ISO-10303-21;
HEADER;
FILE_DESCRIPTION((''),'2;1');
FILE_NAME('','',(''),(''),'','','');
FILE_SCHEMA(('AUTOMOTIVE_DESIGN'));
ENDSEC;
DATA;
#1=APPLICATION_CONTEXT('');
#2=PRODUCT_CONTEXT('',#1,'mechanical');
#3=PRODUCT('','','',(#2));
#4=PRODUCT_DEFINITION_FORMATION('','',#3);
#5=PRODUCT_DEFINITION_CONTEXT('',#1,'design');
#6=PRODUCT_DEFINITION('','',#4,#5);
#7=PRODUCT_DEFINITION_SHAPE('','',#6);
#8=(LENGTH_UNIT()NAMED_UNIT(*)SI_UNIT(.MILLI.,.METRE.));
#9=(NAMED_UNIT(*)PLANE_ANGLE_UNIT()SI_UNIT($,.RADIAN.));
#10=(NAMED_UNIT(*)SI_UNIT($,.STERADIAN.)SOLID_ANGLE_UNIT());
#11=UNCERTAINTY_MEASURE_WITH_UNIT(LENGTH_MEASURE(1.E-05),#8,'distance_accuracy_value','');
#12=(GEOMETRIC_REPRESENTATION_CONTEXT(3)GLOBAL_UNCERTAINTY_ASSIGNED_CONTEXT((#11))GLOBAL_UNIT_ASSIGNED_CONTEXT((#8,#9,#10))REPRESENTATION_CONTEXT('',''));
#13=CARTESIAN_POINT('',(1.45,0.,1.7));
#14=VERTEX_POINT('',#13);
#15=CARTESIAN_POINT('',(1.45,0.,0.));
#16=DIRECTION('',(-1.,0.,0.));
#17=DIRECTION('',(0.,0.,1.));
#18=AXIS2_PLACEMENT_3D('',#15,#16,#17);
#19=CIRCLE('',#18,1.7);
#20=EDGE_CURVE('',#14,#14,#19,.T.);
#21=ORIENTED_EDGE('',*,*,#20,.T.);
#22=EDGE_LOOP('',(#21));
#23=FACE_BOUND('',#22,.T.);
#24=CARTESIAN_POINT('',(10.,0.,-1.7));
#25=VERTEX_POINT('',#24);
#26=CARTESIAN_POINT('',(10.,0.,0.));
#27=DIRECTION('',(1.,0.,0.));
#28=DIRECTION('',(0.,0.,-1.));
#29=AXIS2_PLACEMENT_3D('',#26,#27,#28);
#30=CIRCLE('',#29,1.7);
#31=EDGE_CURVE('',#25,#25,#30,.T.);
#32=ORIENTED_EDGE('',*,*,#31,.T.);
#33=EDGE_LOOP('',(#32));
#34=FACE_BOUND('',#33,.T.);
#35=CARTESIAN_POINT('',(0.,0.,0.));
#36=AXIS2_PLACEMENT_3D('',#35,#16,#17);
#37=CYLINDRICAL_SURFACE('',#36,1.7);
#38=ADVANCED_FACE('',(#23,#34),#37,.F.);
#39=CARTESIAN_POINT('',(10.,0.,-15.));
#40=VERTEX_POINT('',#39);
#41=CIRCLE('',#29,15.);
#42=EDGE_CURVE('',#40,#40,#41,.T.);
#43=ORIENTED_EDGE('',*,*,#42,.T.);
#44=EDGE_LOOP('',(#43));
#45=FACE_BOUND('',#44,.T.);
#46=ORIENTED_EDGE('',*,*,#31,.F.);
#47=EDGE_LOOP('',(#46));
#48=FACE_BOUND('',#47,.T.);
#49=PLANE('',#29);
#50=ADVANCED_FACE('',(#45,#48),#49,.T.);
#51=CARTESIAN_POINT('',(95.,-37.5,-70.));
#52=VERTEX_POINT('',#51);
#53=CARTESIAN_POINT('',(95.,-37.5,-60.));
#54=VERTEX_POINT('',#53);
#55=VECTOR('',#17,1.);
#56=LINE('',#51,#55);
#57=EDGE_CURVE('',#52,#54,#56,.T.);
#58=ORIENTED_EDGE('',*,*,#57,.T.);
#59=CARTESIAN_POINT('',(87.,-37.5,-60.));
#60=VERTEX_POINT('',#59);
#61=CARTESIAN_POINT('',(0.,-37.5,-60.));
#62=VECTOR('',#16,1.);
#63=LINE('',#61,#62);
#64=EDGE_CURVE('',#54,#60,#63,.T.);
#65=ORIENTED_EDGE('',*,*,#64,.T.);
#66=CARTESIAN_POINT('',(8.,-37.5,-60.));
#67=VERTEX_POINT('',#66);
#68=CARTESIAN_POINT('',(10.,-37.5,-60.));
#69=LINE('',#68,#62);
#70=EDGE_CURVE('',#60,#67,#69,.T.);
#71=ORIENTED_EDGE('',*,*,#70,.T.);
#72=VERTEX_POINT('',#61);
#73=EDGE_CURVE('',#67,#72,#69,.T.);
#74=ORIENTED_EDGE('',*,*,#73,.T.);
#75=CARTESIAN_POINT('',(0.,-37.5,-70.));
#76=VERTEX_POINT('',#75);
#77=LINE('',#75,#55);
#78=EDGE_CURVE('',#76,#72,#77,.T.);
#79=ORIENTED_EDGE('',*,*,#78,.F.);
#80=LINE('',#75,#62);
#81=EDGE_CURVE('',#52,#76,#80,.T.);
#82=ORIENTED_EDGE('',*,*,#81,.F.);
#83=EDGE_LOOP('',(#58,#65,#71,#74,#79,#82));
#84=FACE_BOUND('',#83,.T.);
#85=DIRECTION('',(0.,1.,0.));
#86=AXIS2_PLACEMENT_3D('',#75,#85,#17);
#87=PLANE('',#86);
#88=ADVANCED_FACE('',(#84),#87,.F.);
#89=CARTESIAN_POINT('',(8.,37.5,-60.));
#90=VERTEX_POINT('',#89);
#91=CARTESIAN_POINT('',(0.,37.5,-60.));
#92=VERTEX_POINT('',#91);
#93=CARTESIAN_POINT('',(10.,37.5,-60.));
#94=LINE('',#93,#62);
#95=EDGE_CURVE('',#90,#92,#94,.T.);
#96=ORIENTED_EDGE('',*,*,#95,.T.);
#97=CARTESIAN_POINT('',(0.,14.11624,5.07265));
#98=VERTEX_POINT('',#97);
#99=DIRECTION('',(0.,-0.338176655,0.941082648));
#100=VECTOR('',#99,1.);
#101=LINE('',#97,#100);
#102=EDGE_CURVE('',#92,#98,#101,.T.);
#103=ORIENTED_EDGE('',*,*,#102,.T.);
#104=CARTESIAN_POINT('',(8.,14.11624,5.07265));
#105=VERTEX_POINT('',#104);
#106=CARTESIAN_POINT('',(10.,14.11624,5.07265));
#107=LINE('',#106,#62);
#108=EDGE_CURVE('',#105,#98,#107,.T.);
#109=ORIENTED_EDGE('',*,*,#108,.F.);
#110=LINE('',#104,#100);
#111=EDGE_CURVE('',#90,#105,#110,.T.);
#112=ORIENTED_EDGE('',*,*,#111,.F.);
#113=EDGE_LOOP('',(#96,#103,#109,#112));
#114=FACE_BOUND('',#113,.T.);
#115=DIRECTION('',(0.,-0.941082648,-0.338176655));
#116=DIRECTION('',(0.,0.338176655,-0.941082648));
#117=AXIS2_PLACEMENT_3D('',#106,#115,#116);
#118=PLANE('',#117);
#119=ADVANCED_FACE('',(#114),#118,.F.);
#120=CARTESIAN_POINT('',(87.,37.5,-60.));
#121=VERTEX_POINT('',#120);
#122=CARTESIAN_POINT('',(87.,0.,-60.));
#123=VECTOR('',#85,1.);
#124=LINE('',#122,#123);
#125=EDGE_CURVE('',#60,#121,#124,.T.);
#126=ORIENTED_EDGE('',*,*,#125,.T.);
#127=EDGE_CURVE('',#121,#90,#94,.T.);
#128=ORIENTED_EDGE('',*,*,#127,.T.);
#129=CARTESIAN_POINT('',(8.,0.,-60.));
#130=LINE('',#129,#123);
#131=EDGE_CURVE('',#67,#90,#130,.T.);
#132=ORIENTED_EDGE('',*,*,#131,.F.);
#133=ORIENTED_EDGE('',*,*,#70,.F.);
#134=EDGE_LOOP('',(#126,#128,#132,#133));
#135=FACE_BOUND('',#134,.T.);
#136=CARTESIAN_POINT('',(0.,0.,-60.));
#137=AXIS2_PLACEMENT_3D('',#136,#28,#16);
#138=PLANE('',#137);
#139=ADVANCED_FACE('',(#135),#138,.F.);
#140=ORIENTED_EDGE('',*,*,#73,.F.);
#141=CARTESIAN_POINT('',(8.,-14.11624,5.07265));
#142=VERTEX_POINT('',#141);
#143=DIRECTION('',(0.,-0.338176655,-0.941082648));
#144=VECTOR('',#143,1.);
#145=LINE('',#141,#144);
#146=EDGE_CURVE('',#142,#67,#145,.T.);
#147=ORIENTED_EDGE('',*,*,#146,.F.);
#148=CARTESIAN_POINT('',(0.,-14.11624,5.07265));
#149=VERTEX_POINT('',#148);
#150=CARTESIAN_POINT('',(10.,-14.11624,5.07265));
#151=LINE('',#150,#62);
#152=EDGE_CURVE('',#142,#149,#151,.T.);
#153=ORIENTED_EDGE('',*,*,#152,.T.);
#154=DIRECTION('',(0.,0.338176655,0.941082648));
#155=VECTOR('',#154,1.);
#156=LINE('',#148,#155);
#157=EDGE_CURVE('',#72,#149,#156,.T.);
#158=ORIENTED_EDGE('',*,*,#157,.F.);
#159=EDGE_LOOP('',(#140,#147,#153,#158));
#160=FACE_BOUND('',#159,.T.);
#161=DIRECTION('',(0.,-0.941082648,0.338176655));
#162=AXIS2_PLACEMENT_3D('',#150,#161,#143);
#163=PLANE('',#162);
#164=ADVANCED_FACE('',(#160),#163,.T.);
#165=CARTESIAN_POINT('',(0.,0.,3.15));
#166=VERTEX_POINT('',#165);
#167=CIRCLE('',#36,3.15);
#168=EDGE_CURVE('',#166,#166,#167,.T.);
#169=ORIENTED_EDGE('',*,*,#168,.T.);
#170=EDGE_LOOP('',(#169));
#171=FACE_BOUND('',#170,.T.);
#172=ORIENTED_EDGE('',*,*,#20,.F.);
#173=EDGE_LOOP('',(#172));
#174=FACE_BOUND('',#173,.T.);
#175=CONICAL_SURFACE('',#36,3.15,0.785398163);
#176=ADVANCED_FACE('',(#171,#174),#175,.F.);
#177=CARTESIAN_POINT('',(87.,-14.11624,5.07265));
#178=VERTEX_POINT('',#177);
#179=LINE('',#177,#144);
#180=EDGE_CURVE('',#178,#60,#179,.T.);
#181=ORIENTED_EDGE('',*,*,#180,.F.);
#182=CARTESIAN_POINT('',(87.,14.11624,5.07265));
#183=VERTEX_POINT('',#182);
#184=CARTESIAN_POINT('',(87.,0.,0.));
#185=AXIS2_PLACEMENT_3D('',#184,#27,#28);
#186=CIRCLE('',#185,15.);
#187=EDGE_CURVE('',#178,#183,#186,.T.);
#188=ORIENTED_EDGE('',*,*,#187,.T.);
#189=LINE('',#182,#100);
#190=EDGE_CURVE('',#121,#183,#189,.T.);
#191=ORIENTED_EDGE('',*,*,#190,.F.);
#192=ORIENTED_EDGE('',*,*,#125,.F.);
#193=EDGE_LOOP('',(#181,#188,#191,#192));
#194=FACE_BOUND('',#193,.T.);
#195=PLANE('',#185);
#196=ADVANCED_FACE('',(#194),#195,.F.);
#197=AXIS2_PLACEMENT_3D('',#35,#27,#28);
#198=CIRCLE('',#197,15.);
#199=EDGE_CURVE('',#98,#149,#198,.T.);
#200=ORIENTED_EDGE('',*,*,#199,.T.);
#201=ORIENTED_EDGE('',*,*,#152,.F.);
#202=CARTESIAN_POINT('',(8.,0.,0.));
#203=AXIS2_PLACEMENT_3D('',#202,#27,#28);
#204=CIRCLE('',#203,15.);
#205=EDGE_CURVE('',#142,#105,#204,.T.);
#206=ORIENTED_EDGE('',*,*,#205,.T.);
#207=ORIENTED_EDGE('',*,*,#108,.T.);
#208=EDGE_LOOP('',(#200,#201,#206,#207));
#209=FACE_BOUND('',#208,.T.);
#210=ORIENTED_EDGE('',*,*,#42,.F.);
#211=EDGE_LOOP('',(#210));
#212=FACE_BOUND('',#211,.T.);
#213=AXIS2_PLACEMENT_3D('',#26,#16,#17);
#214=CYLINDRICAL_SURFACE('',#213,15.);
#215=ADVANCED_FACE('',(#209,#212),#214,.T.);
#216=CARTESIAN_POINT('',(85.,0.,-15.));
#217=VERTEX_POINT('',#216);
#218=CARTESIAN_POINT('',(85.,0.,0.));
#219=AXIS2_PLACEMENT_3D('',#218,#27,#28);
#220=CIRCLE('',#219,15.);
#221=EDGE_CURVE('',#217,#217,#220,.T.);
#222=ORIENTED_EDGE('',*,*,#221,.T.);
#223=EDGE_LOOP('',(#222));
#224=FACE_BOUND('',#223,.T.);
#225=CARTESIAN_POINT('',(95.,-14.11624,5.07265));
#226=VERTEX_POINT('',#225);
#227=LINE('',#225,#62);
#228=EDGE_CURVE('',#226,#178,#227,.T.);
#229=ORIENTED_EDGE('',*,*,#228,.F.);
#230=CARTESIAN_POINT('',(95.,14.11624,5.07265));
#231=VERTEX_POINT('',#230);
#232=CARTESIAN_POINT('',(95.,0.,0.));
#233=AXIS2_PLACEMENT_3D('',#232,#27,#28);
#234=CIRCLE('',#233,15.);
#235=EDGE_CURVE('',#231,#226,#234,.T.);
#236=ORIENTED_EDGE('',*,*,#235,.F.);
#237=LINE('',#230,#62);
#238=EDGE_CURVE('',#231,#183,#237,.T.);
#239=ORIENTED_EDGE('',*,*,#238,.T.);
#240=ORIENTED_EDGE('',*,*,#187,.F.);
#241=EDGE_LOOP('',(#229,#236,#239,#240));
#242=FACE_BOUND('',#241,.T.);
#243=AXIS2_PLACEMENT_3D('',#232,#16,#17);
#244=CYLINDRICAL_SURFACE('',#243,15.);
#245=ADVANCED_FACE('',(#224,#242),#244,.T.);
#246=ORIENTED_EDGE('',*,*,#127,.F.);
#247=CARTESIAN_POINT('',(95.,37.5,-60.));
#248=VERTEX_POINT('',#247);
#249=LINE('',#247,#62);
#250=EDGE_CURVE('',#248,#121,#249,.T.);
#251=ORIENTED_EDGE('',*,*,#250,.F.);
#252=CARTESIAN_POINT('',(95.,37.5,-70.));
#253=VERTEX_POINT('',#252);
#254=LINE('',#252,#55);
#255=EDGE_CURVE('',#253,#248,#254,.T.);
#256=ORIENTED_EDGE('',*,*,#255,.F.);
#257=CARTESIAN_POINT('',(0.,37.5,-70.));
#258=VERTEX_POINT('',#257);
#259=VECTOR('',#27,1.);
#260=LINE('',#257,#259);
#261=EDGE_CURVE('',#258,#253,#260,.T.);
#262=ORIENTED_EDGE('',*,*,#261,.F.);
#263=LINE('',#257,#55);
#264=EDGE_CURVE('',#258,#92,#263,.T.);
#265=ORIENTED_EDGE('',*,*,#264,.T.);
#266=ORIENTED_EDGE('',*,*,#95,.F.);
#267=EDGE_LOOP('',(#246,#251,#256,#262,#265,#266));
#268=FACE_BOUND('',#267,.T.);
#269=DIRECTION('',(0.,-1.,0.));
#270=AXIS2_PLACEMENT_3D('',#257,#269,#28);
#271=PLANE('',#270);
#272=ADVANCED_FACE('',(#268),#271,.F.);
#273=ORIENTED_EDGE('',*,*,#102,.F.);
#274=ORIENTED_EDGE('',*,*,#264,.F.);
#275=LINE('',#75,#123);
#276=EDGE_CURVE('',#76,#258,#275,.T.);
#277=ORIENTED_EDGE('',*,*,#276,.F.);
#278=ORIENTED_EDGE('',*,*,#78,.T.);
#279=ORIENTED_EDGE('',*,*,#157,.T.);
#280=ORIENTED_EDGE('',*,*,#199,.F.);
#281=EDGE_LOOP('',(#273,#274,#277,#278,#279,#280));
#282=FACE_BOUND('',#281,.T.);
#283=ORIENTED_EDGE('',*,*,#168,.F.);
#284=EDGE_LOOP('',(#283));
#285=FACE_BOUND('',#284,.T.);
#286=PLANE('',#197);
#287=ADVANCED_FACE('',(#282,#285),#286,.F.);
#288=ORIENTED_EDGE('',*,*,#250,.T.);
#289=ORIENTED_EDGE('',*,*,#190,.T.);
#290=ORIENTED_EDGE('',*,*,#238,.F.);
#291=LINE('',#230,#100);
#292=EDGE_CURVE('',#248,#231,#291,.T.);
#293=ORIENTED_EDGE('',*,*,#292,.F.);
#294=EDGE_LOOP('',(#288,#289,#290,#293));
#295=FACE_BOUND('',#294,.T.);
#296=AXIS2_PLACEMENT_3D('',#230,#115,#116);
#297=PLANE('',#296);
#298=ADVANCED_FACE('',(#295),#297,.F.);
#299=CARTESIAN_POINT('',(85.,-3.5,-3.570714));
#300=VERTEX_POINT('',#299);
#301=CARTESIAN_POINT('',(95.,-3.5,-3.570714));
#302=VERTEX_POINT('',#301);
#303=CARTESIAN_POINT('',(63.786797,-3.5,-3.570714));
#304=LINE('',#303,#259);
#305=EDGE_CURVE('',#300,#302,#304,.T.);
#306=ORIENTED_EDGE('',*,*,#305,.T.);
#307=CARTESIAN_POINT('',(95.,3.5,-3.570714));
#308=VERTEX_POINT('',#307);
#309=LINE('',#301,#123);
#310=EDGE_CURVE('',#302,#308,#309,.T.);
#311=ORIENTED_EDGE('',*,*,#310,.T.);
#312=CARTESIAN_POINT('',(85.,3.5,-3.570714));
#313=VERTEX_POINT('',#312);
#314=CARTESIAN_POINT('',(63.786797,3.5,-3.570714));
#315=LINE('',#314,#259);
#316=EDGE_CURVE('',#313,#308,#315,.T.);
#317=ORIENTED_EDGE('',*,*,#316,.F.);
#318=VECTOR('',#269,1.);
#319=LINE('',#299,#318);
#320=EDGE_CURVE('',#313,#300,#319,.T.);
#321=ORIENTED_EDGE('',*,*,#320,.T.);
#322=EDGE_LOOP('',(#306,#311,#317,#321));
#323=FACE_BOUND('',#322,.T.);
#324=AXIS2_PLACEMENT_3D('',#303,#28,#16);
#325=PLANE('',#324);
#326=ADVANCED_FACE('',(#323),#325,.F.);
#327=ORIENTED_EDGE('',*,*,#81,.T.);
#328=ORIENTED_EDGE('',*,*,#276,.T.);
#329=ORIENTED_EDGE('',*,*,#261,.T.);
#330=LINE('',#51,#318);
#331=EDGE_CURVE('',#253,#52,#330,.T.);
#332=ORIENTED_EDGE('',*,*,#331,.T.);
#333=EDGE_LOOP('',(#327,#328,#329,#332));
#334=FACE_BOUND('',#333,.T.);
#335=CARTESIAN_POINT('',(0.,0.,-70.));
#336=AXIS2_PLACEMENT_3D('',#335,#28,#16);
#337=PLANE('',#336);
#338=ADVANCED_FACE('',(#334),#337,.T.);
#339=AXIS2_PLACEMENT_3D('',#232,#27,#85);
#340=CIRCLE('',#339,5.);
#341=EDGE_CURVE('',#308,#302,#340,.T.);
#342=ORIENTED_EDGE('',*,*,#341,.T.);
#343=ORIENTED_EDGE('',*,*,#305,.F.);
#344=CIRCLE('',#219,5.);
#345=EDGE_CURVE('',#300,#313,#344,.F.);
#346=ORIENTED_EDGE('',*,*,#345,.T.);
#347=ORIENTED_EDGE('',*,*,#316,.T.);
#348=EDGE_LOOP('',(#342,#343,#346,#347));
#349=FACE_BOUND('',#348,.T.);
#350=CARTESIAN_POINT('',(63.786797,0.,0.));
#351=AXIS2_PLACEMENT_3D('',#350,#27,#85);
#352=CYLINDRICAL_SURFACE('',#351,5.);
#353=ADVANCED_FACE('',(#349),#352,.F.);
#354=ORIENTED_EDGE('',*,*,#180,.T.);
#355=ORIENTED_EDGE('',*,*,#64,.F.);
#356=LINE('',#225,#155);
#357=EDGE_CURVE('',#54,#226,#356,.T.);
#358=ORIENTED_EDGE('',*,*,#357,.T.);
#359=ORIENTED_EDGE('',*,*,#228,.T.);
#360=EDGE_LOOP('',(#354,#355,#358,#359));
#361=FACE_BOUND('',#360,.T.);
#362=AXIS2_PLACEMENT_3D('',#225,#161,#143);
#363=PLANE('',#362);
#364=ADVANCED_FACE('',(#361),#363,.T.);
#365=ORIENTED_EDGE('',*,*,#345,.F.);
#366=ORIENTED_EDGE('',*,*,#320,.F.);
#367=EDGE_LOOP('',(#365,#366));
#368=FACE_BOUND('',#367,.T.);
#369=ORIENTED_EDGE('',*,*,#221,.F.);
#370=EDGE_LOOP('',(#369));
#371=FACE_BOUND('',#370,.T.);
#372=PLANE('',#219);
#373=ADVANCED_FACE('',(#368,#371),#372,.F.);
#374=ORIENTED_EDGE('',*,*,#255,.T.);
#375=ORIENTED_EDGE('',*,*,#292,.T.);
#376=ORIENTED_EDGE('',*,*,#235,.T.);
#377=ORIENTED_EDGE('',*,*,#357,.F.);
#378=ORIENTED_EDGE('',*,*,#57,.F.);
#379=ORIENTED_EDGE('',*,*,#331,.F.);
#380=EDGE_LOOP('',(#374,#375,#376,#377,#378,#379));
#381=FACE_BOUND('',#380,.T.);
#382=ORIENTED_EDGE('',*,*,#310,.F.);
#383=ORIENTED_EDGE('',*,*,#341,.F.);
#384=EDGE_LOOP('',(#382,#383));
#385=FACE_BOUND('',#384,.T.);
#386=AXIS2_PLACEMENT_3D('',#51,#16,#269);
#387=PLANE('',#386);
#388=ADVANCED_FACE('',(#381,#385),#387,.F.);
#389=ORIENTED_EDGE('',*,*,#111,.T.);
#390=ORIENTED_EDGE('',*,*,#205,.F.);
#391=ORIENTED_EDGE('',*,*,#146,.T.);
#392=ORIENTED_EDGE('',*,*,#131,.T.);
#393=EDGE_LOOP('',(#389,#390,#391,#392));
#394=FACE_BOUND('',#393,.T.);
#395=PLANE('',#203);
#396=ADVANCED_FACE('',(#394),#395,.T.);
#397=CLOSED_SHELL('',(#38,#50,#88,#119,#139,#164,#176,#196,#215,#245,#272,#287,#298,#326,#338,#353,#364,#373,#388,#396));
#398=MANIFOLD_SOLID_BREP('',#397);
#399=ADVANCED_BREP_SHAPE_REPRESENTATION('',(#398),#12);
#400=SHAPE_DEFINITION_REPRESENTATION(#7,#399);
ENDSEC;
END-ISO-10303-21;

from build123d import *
from build123d.topology import SkipClean

# Parameters (mm, degrees)
SKETCH1_R                                       = 7.5
BOSS_EXTRUDE1_DEPTH                             = 10
SKETCH2_W                                       = 95
SKETCH2_H                                       = 75
BOSS_EXTRUDE2_DEPTH                             = 10
LPATTERN1_COUNT                                 = 2
LPATTERN1_PITCH                                 = 85
CUT_EXTRUDE2_DEPTH                              = 77
CUT_EXTRUDE2_DEPTH_BACK                         = 2
SKETCH5_R                                       = 7.5
SKETCH5_R_2                                     = 1
BOSS_EXTRUDE4_DEPTH                             = 10
CSK_FOR_M3_FLAT_HEAD_MACHINE_SCREW1_D           = 3.4
CSK_FOR_M3_FLAT_HEAD_MACHINE_SCREW1_DEPTH       = 95
CSK_FOR_M3_FLAT_HEAD_MACHINE_SCREW1_CSINK_D     = 6.3
CSK_FOR_M3_FLAT_HEAD_MACHINE_SCREW1_CSINK_ANGLE = 90
BOSS_EXTRUDE5_START                             = -10
SKETCH10_R                                      = 7.5
BOSS_EXTRUDE5_DEPTH                             = 10


with BuildPart() as part:
    # Sketch1 → Boss-Extrude1 (new body)
    with BuildSketch(Plane.YZ):
        with BuildLine():
            Line((-14.116239718, 5.072649824), (-37.5, -60))
            Line((-37.5, -60), (37.5, -60))
            Line((37.5, -60), (14.116239718, 5.072649824))
            ThreePointArc((14.116239718, 5.072649824), (0, 15), (-14.116239718, 5.072649824))
        make_face()
        with Locations(Location((0, 0, 0), (0, 0, 270))):
            Circle(SKETCH1_R, mode=Mode.SUBTRACT)
    boss_extrude1 = extrude(amount=BOSS_EXTRUDE1_DEPTH)

    # Sketch2 → Boss-Extrude2 (add)
    with BuildSketch(Plane(origin=(0, 0, -60), x_dir=(1, 0, 0), z_dir=(0, 0, -1))):
        with Locations((47.5, 0)):
            Rectangle(SKETCH2_W, SKETCH2_H)
    extrude(amount=BOSS_EXTRUDE2_DEPTH)

    # LPattern1: Boss-Extrude1 ×2
    with Locations(*[(i * LPATTERN1_PITCH, 0, 0) for i in range(1, LPATTERN1_COUNT)]):
        add(boss_extrude1)

    # Sketch4 → Cut-Extrude2 (cut, two sides: drawn at the far end of the back side and taken through both)
    with SkipClean():  # the faces are left unmerged after this step: merging them gives an invalid solid
        with BuildSketch(Plane.YZ.offset(10).offset(-CUT_EXTRUDE2_DEPTH_BACK)):
            with BuildLine():
                Line((-37.5, -60), (37.5, -60))
                Line((37.5, -60), (14.116239718, 5.072649824))
                ThreePointArc((14.116239718, 5.072649824), (14.777408362, 2.574529494), (15, 0))
                ThreePointArc((15, 0), (-2.574529494, -14.777408362), (-14.116239718, 5.072649824))
                Line((-14.116239718, 5.072649824), (-37.5, -60))
            make_face()
        extrude(amount=CUT_EXTRUDE2_DEPTH + CUT_EXTRUDE2_DEPTH_BACK, mode=Mode.SUBTRACT)

    # Sketch5 → Boss-Extrude4 (add)
    with SkipClean():  # the faces are left unmerged after this step: merging them gives an invalid solid
        with BuildSketch(Plane.YZ):
            with Locations(Location((0, 0, 0), (0, 0, 270))):
                Circle(SKETCH5_R)
            with Locations(Location((0, 0, 0), (0, 0, 270))):
                Circle(SKETCH5_R_2, mode=Mode.SUBTRACT)
        extrude(amount=BOSS_EXTRUDE4_DEPTH)

    # CSK for M3 Flat Head Machine Screw1
    with Locations(Plane(origin=(0, 0, 0), x_dir=(0, -1, 0), z_dir=(-1, 0, 0))):
        with Locations((0, 0)):
            CounterSinkHole(CSK_FOR_M3_FLAT_HEAD_MACHINE_SCREW1_D / 2, CSK_FOR_M3_FLAT_HEAD_MACHINE_SCREW1_CSINK_D / 2, depth=CSK_FOR_M3_FLAT_HEAD_MACHINE_SCREW1_DEPTH, counter_sink_angle=CSK_FOR_M3_FLAT_HEAD_MACHINE_SCREW1_CSINK_ANGLE)

    # Sketch10 → Boss-Extrude5 (add)
    with SkipClean():  # the faces are left unmerged after this step: merging them gives an invalid solid
        with BuildSketch(Plane.YZ.offset(95).offset(BOSS_EXTRUDE5_START)):
            Circle(SKETCH10_R)
            with BuildLine():
                Line((-3.5, -3.570714214), (3.5, -3.570714214))
                ThreePointArc((3.5, -3.570714214), (0, 5), (-3.5, -3.570714214))
            make_face(mode=Mode.SUBTRACT)
        extrude(amount=BOSS_EXTRUDE5_DEPTH)


solid = part.part
